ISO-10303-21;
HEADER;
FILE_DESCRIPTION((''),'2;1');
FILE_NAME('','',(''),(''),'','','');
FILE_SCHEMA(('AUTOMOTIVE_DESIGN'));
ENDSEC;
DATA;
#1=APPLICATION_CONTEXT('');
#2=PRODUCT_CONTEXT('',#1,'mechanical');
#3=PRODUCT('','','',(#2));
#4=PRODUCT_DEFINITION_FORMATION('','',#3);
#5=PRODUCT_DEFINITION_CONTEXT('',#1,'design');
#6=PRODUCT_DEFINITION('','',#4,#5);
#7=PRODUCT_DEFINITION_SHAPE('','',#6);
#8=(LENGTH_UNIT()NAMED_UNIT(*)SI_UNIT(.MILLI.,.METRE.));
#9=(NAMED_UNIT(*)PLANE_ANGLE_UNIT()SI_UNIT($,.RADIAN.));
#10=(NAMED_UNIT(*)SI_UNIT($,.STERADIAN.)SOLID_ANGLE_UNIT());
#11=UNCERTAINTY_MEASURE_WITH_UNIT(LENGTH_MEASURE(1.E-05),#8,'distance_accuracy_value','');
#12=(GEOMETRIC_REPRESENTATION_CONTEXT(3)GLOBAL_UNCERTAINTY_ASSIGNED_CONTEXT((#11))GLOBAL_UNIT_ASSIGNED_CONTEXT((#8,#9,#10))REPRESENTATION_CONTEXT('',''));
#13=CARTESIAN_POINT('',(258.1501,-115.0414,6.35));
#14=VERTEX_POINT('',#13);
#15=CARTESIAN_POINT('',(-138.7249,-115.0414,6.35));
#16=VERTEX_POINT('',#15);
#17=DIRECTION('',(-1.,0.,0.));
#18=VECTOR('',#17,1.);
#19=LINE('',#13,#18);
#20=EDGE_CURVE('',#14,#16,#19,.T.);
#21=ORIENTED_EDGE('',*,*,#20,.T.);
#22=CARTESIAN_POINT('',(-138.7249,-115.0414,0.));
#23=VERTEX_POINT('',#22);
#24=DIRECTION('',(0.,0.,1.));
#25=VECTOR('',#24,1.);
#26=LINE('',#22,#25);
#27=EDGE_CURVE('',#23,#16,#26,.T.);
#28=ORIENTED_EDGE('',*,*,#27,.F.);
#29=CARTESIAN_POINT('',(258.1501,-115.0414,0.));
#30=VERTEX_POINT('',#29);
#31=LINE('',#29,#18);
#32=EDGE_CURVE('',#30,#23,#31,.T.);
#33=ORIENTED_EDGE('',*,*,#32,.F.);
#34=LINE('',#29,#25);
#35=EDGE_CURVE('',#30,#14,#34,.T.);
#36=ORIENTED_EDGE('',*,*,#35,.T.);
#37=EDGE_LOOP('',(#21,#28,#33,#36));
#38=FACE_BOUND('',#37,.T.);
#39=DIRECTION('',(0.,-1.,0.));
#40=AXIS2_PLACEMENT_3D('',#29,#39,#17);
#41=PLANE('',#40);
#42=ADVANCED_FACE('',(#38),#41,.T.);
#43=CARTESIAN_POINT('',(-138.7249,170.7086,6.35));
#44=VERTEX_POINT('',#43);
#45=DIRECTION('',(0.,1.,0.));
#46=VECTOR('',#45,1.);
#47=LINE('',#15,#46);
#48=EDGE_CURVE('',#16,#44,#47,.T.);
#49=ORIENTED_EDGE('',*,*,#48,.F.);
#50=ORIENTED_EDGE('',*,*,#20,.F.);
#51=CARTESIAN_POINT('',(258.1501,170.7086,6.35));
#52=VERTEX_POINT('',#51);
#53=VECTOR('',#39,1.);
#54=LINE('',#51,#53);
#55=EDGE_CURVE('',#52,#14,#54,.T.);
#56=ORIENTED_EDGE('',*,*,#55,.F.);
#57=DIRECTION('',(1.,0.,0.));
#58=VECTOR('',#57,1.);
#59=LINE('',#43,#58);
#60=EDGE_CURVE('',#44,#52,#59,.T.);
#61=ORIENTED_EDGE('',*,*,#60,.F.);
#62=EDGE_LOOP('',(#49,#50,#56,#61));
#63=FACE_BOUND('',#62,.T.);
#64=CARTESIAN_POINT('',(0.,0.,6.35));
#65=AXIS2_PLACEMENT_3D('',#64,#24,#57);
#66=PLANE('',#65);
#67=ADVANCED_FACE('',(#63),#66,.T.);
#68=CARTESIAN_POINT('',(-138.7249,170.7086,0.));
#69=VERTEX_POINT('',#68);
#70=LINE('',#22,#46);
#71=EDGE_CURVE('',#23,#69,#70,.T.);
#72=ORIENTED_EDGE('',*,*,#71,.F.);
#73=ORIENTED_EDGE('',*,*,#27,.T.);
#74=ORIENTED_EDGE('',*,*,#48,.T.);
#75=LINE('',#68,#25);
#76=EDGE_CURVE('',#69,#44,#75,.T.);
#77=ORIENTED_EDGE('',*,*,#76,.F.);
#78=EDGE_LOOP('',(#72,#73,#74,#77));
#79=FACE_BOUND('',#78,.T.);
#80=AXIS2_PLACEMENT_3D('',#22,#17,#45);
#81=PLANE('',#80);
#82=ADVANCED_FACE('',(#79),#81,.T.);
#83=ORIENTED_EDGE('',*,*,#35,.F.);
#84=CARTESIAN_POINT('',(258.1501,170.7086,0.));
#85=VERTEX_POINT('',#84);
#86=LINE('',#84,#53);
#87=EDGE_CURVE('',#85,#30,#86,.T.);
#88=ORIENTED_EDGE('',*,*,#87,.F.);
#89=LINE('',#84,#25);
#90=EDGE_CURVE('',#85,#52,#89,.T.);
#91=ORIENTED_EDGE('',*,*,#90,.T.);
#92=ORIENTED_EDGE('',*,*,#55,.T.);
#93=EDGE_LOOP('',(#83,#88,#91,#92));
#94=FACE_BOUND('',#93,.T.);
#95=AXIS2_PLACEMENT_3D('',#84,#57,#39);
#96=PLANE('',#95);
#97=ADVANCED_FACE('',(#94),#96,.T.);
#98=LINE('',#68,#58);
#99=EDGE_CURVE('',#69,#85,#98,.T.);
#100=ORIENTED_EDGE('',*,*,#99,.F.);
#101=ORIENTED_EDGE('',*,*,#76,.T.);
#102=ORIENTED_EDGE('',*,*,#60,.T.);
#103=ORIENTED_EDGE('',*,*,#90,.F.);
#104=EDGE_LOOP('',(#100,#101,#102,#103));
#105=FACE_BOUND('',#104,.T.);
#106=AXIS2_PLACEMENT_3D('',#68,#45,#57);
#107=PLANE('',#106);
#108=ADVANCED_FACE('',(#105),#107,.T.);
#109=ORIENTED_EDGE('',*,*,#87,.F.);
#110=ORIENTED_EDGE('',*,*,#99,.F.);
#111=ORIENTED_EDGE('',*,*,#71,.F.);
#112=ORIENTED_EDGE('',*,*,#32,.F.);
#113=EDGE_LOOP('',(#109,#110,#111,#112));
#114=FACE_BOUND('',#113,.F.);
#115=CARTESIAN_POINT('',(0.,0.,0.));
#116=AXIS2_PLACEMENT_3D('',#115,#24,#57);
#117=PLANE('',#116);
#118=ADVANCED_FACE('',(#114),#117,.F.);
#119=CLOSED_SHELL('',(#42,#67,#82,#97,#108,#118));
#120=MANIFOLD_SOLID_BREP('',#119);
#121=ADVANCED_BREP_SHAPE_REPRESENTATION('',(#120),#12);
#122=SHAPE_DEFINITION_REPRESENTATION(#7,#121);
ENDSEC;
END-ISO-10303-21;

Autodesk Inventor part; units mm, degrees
ref_plane "YZ Plane" through (0, 0, 0) normal (1, 0, 0) x (0, 1, 0)
ref_plane "XZ Plane" through (0, 0, 0) normal (0, 1, 0) x (-1, 0, 0)
ref_plane "XY Plane" through (0, 0, 0) normal (0, 0, 1) x (1, 0, 0)
sketch "Sketch1" plane through (0, 0, 0) normal (0, 0, 1) x (1, 0, 0)
  line L0 (-138.7249, 170.7086) -> (258.1501, 170.7086)
  line L1 (258.1501, 170.7086) -> (258.1501, -115.0414)
  line L2 (258.1501, -115.0414) -> (-138.7249, -115.0414)
  line L3 (-138.7249, -115.0414) -> (-138.7249, 170.7086)
  point P0 (0, 0)
  dimension "d0" = 396.875
  dimension "d1" = 285.75
extrude "Board" add sketch "Sketch1" along normal blind 6.35
properties part number "Wine Bottle Rack Back Panel"
